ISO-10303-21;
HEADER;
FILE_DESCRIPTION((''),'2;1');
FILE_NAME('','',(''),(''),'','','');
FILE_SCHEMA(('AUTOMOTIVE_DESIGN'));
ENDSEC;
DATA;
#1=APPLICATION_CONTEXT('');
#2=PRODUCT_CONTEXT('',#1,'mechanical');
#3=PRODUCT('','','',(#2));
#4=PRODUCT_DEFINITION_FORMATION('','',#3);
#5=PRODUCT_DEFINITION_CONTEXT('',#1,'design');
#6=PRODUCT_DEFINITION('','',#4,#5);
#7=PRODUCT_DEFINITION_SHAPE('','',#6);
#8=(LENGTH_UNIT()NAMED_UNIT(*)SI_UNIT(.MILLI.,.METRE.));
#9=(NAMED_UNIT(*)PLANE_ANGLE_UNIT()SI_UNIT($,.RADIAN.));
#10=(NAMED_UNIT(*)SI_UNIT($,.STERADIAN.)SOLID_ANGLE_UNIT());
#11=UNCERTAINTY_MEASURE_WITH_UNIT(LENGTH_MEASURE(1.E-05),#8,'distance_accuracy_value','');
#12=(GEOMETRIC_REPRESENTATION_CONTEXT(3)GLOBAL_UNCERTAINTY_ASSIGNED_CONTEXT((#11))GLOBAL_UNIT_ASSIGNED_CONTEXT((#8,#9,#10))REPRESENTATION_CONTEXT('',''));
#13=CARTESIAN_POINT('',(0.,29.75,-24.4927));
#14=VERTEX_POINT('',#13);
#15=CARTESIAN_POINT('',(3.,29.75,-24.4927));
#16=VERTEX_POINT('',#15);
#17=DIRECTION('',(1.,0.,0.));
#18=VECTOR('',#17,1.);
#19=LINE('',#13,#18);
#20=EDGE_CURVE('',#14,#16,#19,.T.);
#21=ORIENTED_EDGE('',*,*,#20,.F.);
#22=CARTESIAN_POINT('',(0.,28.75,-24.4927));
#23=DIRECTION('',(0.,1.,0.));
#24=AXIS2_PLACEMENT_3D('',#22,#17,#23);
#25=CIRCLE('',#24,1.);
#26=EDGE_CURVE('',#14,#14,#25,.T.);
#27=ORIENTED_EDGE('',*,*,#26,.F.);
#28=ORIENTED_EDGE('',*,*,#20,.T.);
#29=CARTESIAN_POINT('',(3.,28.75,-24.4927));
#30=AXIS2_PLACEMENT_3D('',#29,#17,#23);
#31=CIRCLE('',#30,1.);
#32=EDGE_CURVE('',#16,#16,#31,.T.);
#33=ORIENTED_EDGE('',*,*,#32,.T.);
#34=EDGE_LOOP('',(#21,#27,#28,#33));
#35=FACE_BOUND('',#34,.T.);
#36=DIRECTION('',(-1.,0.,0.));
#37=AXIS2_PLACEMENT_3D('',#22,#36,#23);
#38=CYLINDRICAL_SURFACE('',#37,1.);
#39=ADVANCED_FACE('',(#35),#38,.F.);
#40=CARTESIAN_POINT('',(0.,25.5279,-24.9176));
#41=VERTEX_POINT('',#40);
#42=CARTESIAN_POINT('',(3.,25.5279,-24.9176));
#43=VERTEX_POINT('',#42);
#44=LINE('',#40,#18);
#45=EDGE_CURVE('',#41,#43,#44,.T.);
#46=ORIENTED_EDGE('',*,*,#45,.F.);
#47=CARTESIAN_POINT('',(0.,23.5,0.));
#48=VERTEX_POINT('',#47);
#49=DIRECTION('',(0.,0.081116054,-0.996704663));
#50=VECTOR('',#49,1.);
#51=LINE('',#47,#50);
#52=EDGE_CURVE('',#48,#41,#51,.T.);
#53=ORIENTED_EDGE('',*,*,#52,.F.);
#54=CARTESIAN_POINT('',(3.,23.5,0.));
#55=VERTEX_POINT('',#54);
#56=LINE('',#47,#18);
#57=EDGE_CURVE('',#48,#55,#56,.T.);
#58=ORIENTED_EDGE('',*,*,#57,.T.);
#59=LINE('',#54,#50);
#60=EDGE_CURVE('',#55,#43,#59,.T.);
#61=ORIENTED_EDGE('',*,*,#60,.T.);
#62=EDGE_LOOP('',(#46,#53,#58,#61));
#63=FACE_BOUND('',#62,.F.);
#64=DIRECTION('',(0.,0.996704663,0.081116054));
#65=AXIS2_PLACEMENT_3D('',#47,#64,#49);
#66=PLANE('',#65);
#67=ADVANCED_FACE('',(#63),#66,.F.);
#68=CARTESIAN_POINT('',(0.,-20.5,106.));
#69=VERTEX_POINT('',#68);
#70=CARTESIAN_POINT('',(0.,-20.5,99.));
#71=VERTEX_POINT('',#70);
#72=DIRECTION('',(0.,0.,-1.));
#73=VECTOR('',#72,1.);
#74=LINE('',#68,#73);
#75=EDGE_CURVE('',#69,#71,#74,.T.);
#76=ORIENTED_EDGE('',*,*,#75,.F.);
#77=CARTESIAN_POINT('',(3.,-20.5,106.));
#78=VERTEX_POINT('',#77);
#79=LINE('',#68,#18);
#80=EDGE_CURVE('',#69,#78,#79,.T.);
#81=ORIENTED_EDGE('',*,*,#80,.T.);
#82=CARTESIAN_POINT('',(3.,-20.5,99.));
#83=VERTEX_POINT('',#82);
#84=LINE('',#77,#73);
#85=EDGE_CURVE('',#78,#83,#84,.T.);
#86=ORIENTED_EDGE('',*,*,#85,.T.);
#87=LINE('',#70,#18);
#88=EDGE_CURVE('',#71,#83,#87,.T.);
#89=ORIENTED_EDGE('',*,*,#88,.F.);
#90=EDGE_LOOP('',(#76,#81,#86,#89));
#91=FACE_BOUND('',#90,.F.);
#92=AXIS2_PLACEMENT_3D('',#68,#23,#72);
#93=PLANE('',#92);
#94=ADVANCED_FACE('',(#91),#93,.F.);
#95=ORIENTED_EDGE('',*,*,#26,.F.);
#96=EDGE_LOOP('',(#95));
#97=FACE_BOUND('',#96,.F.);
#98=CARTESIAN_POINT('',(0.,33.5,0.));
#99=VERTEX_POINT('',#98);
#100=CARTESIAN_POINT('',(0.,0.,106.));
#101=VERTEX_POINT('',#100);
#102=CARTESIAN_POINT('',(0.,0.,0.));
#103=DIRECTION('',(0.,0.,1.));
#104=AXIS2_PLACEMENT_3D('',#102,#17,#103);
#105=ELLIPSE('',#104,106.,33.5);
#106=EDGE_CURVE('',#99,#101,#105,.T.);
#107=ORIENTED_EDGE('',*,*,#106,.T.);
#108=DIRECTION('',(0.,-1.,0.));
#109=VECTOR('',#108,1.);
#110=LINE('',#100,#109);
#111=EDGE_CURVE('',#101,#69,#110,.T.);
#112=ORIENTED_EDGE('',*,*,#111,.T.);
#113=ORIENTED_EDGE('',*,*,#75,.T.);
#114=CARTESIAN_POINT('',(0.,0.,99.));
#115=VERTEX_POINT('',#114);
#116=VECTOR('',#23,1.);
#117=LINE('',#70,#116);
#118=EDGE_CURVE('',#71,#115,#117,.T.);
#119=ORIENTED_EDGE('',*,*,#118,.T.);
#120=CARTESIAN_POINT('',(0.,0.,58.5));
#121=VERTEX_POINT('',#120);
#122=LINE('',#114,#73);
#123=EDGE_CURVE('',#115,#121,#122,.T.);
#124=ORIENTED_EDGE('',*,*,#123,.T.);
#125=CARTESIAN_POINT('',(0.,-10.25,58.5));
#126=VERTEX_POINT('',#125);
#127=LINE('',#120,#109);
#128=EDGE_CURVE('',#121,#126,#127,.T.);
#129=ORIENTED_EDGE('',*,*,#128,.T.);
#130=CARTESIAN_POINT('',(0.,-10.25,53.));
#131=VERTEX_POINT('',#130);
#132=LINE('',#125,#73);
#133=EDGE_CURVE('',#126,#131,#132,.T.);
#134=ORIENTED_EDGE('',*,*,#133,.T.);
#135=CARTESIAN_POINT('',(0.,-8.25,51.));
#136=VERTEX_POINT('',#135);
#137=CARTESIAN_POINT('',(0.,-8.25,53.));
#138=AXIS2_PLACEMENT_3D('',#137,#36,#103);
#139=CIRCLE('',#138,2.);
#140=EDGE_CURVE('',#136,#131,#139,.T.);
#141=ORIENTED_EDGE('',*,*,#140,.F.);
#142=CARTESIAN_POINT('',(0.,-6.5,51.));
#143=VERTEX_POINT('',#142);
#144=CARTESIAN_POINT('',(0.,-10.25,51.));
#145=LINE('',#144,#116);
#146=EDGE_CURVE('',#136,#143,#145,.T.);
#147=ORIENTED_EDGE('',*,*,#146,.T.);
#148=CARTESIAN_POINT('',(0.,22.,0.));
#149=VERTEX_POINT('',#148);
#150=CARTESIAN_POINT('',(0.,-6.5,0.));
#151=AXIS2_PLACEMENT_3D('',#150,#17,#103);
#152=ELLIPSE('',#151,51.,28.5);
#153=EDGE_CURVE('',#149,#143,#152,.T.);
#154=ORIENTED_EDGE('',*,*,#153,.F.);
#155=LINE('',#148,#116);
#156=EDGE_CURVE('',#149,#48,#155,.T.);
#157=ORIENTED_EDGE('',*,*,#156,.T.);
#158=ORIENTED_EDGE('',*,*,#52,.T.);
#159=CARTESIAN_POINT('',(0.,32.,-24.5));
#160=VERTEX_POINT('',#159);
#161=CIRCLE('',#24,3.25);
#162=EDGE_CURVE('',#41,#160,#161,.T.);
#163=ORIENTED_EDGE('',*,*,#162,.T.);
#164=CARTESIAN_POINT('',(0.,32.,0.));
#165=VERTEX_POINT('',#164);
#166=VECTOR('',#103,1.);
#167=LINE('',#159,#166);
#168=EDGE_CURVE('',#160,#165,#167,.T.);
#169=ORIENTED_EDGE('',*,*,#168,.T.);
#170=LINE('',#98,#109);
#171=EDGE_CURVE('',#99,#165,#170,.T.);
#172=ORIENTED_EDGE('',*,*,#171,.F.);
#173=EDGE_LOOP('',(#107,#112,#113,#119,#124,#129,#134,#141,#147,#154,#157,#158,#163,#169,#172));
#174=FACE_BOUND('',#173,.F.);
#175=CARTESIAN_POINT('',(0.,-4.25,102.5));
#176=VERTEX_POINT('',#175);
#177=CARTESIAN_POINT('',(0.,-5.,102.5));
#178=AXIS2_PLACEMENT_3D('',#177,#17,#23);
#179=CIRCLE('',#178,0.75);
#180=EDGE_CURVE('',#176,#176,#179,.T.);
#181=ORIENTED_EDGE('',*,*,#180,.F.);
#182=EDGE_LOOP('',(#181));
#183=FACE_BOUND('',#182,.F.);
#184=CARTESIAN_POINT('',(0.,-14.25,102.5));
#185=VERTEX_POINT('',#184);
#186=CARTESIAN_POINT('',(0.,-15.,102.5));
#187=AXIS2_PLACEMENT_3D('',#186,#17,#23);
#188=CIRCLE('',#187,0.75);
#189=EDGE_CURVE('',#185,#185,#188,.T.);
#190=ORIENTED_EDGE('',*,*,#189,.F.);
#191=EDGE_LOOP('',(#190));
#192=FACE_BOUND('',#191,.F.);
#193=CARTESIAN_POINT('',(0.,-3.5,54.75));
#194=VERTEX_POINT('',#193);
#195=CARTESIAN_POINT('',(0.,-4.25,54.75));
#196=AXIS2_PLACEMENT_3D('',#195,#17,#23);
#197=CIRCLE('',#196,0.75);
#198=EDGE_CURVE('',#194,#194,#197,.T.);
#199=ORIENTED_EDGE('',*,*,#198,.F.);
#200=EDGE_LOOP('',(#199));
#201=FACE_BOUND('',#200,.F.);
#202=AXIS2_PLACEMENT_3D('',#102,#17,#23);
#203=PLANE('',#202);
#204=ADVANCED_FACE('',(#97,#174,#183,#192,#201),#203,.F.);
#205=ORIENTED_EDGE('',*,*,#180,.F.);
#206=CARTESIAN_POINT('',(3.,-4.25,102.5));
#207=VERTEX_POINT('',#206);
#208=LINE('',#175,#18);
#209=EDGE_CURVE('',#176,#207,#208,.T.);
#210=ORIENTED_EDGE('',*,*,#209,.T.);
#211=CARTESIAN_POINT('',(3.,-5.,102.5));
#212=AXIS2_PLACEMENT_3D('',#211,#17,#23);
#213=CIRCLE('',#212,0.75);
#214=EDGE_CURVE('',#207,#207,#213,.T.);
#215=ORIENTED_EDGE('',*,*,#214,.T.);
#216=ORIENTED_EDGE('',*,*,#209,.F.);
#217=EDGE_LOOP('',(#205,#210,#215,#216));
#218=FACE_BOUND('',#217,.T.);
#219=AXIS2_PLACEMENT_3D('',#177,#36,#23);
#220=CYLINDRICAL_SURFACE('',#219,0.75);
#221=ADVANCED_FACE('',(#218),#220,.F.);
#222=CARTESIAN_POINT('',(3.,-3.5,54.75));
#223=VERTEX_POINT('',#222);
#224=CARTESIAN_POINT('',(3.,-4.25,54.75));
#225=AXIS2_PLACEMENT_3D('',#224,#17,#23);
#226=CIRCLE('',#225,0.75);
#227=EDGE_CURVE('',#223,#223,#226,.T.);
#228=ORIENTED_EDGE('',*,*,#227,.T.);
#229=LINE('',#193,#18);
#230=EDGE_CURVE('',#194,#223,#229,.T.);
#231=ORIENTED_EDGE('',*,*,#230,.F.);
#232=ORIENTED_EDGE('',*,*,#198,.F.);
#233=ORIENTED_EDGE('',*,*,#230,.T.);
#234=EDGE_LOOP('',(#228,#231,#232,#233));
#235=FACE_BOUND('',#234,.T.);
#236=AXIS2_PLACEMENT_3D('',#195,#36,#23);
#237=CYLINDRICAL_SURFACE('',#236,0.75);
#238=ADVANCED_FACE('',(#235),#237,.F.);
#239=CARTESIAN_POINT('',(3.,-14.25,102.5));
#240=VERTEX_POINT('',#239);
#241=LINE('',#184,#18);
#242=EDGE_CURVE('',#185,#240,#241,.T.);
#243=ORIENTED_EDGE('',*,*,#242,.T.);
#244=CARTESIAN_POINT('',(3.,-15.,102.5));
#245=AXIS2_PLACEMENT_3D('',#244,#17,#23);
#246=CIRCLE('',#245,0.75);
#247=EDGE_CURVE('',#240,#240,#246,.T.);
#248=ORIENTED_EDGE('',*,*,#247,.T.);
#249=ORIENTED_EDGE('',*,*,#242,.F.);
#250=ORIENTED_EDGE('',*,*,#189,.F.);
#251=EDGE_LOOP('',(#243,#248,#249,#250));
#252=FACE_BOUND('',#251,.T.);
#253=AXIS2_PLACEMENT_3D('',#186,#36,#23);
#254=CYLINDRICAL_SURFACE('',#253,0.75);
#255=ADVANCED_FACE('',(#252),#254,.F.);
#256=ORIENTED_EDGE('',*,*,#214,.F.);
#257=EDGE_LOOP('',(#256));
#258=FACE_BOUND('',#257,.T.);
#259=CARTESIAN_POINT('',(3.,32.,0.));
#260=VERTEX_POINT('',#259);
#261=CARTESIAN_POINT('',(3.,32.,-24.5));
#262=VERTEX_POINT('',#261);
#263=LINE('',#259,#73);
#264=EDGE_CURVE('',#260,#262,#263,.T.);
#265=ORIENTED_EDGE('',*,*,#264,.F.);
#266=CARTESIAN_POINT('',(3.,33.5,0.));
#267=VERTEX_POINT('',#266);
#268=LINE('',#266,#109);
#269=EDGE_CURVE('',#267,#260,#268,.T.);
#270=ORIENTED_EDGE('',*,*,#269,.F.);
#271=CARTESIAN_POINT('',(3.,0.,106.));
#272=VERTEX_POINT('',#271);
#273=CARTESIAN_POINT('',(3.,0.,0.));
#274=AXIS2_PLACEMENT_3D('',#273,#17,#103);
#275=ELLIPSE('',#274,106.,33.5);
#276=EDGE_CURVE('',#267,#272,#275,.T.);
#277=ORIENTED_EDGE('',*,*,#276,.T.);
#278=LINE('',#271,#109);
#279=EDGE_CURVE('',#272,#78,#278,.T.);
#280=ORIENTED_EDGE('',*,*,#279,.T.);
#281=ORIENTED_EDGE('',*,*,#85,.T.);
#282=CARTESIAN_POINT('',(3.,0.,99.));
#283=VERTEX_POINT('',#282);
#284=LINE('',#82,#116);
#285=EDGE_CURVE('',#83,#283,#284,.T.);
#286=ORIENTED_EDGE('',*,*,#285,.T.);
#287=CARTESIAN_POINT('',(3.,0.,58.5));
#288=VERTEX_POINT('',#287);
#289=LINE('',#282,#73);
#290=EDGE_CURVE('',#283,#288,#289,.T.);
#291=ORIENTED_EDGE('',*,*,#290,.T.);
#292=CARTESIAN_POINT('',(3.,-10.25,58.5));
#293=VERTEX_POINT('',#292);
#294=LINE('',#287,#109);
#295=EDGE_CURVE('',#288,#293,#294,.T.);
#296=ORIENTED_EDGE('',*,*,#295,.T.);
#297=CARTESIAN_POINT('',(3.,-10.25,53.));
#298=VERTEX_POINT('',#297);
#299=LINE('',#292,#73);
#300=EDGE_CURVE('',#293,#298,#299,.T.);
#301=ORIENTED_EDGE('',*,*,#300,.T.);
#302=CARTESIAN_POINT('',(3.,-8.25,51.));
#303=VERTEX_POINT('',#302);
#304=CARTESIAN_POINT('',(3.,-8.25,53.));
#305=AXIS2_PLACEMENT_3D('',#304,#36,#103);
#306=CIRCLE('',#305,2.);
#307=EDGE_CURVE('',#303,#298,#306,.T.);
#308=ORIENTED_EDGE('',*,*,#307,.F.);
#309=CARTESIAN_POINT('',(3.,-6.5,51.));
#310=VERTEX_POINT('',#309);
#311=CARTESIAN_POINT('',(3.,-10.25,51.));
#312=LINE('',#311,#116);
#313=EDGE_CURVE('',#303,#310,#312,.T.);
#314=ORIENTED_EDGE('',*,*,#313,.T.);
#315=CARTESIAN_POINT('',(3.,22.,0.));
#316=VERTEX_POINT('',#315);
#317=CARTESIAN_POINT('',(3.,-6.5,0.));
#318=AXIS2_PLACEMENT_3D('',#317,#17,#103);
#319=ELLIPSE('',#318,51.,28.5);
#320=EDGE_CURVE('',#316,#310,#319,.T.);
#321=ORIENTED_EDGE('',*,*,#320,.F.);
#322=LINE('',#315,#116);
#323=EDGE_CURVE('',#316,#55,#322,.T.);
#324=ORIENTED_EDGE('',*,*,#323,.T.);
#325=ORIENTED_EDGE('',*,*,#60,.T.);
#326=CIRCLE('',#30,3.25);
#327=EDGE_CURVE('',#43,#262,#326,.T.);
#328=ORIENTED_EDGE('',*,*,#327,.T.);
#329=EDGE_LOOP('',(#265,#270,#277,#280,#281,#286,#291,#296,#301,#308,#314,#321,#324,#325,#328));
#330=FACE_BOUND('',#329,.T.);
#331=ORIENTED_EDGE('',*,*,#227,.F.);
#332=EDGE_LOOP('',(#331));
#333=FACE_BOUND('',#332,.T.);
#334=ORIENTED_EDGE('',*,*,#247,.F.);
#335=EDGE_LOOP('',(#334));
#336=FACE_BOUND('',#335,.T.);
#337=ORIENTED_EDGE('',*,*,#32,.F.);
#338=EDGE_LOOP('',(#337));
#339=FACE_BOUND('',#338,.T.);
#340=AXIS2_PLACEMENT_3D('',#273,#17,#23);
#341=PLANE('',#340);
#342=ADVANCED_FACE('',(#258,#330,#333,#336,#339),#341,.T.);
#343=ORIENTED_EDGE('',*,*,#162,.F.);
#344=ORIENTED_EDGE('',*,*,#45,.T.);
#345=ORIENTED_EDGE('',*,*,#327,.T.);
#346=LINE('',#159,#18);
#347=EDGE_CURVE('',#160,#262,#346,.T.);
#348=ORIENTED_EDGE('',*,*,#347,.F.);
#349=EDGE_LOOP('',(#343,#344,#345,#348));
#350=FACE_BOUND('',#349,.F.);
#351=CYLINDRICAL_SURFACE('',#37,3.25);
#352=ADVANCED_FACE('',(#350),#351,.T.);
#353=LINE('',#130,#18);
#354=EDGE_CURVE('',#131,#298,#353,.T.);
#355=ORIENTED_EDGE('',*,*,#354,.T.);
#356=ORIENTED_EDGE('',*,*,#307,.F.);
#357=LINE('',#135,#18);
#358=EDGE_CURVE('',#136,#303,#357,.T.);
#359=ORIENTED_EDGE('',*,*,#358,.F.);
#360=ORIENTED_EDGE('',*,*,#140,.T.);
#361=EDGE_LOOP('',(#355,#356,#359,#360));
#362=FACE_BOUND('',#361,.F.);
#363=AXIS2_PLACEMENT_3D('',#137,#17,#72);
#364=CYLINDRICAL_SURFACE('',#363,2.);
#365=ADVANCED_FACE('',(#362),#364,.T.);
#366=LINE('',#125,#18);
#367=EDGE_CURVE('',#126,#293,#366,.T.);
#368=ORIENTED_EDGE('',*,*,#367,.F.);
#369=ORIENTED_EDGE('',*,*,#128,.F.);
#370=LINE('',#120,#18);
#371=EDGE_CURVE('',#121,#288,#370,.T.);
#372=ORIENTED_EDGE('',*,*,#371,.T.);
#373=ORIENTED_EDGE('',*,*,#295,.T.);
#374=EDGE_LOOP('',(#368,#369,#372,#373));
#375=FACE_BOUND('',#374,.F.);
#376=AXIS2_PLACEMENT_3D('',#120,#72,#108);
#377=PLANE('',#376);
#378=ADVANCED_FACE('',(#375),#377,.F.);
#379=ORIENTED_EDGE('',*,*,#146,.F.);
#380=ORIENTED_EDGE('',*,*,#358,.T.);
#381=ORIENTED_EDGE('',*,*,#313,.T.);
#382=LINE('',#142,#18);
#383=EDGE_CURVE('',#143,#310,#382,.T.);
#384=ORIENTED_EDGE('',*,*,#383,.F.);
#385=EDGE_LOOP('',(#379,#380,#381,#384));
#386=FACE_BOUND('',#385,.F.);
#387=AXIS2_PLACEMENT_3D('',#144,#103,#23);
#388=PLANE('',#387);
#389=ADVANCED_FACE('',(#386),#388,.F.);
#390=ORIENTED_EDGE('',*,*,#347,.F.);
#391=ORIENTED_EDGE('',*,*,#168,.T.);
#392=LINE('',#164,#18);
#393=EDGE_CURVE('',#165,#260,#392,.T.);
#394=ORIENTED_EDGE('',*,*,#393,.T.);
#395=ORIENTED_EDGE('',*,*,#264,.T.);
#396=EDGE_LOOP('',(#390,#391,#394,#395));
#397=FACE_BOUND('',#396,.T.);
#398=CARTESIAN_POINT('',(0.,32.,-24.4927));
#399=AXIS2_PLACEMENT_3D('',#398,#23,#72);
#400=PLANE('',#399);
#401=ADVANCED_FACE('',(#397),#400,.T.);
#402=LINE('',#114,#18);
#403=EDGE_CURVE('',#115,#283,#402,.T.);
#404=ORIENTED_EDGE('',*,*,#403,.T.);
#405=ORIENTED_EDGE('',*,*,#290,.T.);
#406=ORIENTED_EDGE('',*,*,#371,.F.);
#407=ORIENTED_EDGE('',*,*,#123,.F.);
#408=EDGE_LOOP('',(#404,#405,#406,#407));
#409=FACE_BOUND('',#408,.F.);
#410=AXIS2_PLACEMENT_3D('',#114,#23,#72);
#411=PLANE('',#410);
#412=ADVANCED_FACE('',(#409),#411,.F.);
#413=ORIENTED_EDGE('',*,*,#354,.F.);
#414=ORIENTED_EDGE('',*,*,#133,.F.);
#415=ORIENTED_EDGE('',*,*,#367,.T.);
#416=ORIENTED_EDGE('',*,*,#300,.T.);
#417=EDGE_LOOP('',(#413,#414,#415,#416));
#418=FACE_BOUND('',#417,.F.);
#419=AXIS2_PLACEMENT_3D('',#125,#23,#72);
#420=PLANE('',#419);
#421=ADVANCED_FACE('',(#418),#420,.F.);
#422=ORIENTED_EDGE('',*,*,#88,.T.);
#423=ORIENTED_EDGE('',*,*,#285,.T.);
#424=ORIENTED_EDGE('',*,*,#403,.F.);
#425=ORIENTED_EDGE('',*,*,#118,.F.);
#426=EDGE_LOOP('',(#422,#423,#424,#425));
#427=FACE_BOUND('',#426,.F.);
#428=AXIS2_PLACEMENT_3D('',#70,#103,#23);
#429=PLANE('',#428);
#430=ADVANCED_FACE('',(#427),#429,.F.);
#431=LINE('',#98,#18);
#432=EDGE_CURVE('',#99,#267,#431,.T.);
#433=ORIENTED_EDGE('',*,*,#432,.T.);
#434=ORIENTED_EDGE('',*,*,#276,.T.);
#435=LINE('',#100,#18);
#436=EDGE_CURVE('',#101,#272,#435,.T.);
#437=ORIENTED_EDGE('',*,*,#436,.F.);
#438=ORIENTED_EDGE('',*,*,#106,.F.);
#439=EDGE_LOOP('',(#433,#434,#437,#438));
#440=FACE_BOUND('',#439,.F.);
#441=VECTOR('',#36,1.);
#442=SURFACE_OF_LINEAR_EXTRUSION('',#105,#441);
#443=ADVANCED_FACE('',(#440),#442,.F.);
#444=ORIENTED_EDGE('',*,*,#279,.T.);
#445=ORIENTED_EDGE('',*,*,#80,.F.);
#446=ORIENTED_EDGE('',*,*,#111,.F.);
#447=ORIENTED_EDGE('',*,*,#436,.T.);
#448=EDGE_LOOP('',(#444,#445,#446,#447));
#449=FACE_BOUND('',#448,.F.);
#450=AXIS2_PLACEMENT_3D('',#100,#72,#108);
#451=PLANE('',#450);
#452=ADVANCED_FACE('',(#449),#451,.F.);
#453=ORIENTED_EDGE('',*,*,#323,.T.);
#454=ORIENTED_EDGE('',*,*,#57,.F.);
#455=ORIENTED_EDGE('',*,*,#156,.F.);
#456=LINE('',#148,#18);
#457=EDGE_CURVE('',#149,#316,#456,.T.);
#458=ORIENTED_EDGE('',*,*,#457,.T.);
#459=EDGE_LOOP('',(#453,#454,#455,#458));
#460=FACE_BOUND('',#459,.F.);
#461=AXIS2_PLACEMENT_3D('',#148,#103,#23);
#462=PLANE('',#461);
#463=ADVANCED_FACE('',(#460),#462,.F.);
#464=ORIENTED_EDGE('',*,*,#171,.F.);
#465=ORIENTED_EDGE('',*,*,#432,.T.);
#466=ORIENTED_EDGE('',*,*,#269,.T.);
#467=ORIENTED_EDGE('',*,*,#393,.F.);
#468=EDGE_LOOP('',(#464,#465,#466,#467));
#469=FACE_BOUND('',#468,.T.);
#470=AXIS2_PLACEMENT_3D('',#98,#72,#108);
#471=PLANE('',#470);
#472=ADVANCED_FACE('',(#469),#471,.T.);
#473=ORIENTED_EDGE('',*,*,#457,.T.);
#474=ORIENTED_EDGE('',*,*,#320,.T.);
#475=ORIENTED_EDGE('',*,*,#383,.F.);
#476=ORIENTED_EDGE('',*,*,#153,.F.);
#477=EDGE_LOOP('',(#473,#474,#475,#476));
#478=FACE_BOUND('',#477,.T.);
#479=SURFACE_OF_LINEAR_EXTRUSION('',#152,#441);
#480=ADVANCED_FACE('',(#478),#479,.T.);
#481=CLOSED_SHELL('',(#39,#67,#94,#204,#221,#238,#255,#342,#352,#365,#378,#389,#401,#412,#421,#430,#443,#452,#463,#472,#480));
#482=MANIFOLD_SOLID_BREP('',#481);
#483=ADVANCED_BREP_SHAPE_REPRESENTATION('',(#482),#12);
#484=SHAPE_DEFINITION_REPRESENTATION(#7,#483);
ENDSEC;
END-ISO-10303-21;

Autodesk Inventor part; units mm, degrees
ref_plane "YZ Plane" through (0, 0, 0) normal (1, 0, 0) x (0, 1, 0)
ref_plane "XZ Plane" through (0, 0, 0) normal (0, 1, 0) x (-1, 0, 0)
ref_plane "XY Plane" through (0, 0, 0) normal (0, 0, 1) x (1, 0, 0)
sketch "Sketch1" plane through (0, 0, 0) normal (1, 0, 0) x (0, 1, 0)
  ellipse E0 centre (0, 0) end of major axis (33.5, 0) minor radius 106 (33.5, 0) -> (0, 106) ccw
  line L0 (0, 106) -> (-20.5, 106)
  ellipse E1 centre (-6.5, 0) end of major axis (22, 0) minor radius 51 (22, 0) -> (-6.5, 51) ccw
  line L1 (-20.5, 106) -> (-20.5, 99)
  line L2 (-20.5, 99) -> (0, 99)
  line L3 (0, 99) -> (0, 58.5)
  line L4 (0, 58.5) -> (-10.25, 58.5)
  line L5 (-10.25, 51) -> (-6.5, 51)
  line L6 (33.5, 0) -> (32, 0)
  line L7 (22, 0) -> (23.5, 0)
  line L8 (0, 106) -> (0, 0) construction
  circle A0 centre (-5, 102.5) radius 0.75
  circle A1 centre (-15, 102.5) radius 0.75
  circle A2 centre (-4.25, 54.75) radius 0.75
  line L9 (23.5, 0) -> (25.5279, -24.9176)
  line L10 (32, 0) -> (32, -24.5)
  circle A3 centre (28.75, -24.4927) radius 3.25
  circle A4 centre (28.75, -24.4927) radius 1
  line L11 (0, 58.5) -> (-10.25, 58.5)
  line L12 (-10.25, 58.5) -> (-10.25, 51)
  dimension "d5" = 33.5
  dimension "d6" = 106
  dimension "d12" = 28.5
  dimension "d10" = 20.5
  dimension "d14" = 6.5
  dimension "d15" = 7
  dimension "d16" = 40.5
  dimension "d17" = 1.5
  dimension "d18" = 1.5
  dimension "d22" = 3.5
  dimension "d23" = 5
  dimension "d24" = 1.5
  dimension "d25" = 1.5
  dimension "d26" = 5.5
  dimension "d29" = 1.5
  dimension "d32" = 25
  dimension "d34" = 24.5
  dimension "d35" = 6.5
  dimension "d36" = 2
  dimension "d39" = 10.25
sketch "Sketch2" plane through (0, 0, 0) normal (1, 0, 0) x (0, 1, 0)
  point P0 (0, 0)
extrude "Extrusion2" add sketch "Sketch1" along normal blind 3
fillet "Fillet1" radius 2 1 edges at (1.5, -10.25, 51)
properties part number "kaki2"
